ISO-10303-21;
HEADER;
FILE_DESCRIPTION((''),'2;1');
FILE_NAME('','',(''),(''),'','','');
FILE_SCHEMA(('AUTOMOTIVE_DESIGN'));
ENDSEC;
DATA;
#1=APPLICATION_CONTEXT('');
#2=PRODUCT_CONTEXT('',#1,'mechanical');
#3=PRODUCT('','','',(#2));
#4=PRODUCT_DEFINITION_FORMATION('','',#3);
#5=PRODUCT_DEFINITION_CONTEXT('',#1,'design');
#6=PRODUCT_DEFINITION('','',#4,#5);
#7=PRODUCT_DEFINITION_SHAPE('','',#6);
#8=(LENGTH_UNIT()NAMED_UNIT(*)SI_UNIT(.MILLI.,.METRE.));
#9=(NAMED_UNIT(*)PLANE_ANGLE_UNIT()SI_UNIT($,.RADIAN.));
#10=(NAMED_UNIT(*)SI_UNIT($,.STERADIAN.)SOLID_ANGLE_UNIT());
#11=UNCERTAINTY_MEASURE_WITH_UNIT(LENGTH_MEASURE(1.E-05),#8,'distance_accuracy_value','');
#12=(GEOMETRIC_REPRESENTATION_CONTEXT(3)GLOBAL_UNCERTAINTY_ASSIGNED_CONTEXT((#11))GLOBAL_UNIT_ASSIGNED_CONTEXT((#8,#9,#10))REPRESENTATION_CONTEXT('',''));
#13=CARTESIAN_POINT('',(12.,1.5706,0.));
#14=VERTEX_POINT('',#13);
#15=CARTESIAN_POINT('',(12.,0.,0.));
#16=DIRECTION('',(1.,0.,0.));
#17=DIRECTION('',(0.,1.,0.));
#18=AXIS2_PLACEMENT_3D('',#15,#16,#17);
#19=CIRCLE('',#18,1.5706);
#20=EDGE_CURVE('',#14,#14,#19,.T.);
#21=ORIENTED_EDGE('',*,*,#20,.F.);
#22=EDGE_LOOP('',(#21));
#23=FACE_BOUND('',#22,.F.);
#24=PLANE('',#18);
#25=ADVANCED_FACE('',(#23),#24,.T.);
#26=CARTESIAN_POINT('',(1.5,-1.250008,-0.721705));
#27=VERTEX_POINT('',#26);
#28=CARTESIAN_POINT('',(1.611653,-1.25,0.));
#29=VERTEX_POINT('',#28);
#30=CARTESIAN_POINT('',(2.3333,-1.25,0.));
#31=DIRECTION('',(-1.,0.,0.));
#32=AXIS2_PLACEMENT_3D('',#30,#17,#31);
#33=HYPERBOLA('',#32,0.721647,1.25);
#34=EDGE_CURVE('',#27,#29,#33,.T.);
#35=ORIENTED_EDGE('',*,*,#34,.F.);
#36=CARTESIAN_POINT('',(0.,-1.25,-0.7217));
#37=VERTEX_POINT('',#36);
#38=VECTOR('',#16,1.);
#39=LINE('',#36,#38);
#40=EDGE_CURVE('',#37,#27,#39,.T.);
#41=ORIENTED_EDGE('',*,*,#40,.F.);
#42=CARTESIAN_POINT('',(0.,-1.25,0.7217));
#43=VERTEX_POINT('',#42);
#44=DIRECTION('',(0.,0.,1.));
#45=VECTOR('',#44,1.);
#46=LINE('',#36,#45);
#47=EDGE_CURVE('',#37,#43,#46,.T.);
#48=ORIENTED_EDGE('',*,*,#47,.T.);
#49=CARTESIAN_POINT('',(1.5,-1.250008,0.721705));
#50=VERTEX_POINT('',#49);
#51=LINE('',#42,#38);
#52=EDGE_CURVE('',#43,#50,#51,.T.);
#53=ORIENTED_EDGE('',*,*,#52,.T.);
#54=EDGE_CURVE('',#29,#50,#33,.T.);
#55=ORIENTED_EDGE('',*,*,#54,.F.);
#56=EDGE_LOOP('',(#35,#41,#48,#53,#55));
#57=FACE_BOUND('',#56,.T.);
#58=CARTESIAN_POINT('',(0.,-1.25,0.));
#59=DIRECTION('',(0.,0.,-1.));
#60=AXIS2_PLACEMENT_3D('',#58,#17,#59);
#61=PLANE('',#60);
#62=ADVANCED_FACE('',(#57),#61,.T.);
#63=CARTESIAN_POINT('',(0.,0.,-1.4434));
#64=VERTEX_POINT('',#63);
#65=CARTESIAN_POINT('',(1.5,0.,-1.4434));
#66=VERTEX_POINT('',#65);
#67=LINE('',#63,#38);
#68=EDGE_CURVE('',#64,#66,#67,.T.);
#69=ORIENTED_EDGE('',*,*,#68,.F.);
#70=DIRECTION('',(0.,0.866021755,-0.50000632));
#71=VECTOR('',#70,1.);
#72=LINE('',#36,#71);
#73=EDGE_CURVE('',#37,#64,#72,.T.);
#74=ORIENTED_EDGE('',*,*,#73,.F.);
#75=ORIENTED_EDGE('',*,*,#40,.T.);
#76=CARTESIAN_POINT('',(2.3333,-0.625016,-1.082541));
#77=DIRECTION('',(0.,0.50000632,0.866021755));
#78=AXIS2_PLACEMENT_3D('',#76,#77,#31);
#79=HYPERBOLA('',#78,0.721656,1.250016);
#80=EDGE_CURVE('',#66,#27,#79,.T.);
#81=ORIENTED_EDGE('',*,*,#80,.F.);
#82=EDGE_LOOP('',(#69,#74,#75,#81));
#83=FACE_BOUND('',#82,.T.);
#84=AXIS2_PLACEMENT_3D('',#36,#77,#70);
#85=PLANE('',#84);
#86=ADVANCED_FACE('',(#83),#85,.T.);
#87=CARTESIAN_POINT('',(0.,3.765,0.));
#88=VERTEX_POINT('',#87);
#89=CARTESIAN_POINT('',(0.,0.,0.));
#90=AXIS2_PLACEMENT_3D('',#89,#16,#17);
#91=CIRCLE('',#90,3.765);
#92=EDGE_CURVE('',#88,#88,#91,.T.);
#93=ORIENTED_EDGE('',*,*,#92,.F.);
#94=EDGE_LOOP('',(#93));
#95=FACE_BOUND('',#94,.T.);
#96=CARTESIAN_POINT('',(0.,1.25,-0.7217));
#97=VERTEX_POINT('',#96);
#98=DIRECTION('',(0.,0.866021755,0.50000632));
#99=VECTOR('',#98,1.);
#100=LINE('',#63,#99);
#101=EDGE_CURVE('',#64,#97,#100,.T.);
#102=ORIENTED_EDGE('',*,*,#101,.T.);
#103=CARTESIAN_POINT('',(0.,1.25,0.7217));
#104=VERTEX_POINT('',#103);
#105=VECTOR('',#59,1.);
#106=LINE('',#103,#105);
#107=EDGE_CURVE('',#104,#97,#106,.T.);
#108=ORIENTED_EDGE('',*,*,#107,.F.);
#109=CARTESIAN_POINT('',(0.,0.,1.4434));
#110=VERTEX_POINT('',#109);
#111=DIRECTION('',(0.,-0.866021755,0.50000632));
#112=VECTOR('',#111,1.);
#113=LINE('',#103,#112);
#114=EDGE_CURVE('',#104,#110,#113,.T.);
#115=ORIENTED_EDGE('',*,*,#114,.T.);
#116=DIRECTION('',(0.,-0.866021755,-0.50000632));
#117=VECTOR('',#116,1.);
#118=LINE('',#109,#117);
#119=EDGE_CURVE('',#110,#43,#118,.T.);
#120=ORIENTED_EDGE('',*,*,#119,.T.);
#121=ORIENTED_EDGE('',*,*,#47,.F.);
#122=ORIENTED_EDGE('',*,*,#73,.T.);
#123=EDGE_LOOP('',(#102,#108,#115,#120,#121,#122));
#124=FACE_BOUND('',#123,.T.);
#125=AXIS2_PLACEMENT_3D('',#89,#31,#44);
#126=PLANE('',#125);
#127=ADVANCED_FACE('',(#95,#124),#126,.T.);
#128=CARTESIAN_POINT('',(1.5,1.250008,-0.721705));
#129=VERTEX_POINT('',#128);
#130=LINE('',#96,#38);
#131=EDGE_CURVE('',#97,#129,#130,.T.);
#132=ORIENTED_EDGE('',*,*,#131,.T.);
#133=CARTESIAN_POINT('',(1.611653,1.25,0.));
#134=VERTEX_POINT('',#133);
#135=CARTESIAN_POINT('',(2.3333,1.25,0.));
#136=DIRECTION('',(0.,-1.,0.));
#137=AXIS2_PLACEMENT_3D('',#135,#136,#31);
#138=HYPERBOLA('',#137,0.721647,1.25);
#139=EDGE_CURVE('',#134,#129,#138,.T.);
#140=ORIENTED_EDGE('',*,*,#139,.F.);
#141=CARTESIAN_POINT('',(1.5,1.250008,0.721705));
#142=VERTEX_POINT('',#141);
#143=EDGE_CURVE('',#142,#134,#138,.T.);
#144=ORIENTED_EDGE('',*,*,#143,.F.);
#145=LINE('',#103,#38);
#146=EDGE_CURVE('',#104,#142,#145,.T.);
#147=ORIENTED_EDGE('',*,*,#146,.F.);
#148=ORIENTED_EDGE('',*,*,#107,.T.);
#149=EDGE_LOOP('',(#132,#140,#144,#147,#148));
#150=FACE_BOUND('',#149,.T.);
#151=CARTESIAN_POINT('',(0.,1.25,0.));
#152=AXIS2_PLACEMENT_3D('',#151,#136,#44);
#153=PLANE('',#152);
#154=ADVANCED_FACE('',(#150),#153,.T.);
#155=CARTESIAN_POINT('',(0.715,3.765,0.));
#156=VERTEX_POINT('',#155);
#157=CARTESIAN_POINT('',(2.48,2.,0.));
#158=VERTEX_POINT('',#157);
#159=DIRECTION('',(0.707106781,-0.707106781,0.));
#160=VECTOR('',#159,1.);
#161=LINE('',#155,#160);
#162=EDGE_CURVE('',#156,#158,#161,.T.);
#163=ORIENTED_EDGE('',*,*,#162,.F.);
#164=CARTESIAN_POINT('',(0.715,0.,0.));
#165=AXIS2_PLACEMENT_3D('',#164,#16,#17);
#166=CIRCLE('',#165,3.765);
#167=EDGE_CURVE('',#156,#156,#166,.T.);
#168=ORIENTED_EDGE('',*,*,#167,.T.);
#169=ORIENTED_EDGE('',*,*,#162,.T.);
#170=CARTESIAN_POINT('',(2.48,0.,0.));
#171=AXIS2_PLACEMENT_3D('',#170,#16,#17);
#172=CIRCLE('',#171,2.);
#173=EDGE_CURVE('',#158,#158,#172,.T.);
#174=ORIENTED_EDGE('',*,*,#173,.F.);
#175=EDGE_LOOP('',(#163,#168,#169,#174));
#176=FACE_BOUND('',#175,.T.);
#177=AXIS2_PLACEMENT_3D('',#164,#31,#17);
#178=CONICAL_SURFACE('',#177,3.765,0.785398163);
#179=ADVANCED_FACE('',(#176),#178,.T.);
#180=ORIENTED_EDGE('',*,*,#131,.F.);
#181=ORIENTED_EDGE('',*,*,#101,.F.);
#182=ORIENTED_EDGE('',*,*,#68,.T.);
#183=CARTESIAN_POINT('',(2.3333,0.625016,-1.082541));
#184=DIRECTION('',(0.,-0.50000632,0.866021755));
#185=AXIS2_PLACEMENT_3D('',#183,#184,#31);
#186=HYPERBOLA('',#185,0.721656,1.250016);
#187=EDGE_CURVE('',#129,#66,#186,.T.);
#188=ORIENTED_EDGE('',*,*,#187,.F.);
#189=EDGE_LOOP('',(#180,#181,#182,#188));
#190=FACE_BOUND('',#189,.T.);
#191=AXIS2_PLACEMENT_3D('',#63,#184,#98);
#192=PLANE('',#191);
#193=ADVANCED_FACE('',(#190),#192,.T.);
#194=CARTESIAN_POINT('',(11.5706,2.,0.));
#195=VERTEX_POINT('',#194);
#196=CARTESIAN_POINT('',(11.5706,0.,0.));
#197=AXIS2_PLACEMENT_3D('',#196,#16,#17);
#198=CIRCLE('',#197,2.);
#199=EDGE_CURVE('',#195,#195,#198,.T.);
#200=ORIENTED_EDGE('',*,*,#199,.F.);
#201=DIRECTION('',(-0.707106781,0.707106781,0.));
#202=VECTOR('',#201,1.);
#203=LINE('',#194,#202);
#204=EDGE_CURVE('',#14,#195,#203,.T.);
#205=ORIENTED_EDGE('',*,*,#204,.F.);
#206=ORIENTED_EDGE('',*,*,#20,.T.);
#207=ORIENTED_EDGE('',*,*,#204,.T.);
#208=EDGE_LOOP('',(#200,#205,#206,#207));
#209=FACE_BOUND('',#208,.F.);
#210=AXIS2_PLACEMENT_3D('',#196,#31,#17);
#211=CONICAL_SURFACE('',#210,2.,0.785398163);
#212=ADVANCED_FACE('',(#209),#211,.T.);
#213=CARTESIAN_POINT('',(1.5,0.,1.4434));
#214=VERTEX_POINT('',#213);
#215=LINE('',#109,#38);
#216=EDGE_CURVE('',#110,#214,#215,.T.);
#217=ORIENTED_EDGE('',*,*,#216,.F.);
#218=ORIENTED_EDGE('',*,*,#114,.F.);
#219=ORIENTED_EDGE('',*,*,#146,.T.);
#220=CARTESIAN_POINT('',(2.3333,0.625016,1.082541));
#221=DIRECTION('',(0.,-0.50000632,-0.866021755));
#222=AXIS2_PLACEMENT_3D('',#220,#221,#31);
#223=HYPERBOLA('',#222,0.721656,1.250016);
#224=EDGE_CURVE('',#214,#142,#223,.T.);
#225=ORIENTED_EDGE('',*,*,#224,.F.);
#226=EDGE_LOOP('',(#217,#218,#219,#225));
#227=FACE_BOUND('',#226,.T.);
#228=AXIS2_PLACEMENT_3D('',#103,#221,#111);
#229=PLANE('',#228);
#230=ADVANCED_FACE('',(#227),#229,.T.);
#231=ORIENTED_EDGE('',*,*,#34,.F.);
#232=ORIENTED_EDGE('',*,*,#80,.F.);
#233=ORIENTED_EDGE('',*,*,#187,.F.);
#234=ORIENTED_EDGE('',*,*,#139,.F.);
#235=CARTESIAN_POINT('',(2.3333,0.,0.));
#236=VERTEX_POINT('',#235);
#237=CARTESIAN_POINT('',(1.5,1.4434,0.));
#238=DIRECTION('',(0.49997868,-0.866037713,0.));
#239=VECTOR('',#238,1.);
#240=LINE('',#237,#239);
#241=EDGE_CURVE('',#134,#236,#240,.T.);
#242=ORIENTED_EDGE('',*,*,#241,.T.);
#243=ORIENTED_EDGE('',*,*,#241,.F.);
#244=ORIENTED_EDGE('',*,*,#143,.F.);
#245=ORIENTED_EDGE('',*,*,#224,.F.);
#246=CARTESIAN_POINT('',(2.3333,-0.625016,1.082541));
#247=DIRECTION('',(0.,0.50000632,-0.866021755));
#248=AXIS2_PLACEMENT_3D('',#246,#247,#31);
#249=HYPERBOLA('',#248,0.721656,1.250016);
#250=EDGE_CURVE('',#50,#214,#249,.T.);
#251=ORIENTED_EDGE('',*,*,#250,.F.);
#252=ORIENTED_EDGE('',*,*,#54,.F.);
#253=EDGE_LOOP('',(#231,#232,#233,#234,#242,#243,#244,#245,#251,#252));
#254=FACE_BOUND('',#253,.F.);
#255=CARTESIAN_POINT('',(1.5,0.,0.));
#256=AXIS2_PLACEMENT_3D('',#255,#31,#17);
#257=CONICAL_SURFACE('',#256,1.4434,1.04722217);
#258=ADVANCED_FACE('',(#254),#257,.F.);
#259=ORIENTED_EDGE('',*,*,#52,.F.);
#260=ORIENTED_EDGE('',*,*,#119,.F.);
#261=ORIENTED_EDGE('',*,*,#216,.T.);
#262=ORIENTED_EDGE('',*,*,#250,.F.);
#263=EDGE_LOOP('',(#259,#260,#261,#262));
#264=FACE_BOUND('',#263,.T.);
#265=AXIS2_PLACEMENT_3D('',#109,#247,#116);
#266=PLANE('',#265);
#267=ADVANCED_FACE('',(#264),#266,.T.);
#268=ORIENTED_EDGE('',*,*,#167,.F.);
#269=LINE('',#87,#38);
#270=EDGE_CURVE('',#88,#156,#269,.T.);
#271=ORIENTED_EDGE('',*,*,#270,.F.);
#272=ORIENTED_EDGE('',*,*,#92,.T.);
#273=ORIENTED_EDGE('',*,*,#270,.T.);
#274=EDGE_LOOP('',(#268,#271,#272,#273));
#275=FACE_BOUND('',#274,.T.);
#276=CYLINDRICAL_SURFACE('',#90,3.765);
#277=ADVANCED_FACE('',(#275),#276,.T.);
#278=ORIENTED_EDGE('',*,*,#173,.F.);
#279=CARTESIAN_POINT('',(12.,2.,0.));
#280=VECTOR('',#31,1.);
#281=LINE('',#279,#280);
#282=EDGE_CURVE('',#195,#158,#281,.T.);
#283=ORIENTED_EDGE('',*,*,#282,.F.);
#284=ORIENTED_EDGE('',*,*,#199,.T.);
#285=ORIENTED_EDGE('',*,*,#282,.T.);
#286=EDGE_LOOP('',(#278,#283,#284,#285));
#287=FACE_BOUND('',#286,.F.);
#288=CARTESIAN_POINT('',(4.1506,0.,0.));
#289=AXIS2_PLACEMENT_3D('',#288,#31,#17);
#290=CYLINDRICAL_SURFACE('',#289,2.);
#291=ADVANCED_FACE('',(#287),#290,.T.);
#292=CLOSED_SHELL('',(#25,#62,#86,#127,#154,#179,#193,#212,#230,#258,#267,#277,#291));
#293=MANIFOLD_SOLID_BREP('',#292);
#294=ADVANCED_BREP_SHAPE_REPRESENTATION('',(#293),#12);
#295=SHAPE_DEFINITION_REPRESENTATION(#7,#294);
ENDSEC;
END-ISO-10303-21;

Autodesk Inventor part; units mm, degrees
ref_plane "YZ Plane" through (0, 0, 0) normal (1, 0, 0) x (0, 1, 0)
ref_plane "XZ Plane" through (0, 0, 0) normal (0, 1, 0) x (-1, 0, 0)
sketch "Skizze1" plane through (0, 0, 0) normal (0, 0, 1) x (1, 0, 0)
  line L0 (12, 0) -> (12, 2)
  line L1 (12, 2) -> (4.58, 2)
  line L2 (4.58, 2) -> (4.1506, 2)
  line L3 (0, 3.765) -> (0, 1.4434)
  line L4 (0, 1.4434) -> (1.5, 1.4434)
  line L5 (1.5, 1.4434) -> (2.3333, 0)
  line L6 (2.3333, 0) -> (12, 0)
  line L7 (0, 3.765) -> (0.715, 3.765)
  line L8 (0.715, 3.765) -> (2.48, 2)
  line L9 (4.1506, 2) -> (2.48, 2)
  line L10 (4.58, 2) -> (2.48, 2) construction
  line L11 (2.48, 2) -> (2.48, 2)
  line L12 (-2.4, 0) -> (14.4, 0) projected
  line L13 (0, -0.753) -> (0, 4.518) projected
  dimension "d0" = 12
  dimension "d1" = 7.42
  dimension "d2" = 1.5
  dimension "d3" = 4
  dimension "d6" = 2.48
  dimension "d7" = 45
  dimension "d8" = 2.8868
  dimension "d9" = 60
  dimension "d10" = 7.53
  dimension "d11" = 4
  dimension "d12" = 0.4294
revolve "Körper" add sketch "Skizze1" angle 360 about axis through (2.3333, 0, 0) along (1, 0, 0) contours L6 L5 L4 L3 L7 L8 L9 L2 L1 L0
sketch "Skizze2" plane through (0, 0, 0) normal (-1, 0, 0) x (0, 0, 1)
  circle A0 centre (0, 0) radius 1.4434 projected
  line L0 (0, -5.271) -> (0, 5.271) projected
  line L1 (-5.271, 0) -> (5.271, 0) projected
  line L2 (1.4434, 0) -> (0.7217, -1.25)
  line L3 (0.7217, -1.25) -> (-0.7217, -1.25)
  line L4 (-0.7217, -1.25) -> (-1.4434, 0)
  line L5 (-1.4434, 0) -> (-0.7217, 1.25)
  line L6 (-0.7217, 1.25) -> (0.7217, 1.25)
  line L7 (0.7217, 1.25) -> (1.4434, 0)
  point P0 (0, 1.4434)
extrude "Loch" add sketch "Skizze2" against normal up to next contours L7 A0 | A0 L2 | L6 L0 A0 | A0 L0 L3 | L0 L6 A0 | A0 L3 L0 | L4 A0 | A0 L5
thread "Gewinde" size "M4x0.7" class "6g" standard "ISO Metric profile" length 7.42
chamfer "Fase1" distance 0.4294 distance2 0.4294 1 edges at (12, -2, 0) measured on face at (12, 0.3787, 0.698)
ref_plane "Work Plane1" through (104.775, 0, 0) normal (0, 0, -1) x (1, 0, 0)
equation "\"d15\" = GEL"
equation "\"d17\" = -0.5 * SPD + 0.5 * GD"
equation "\"d18\" = GUL"
equation "\"d0\" = NLG"
equation "\"d1\" = GEL"
equation "\"d2\" = INTI"
equation "\"d3\" = GD"
equation "\"d6\" = KOH"
equation "\"d7\" = 0.5 * SEWI"
equation "\"d8\" = 1.1547 * SW"
equation "\"d10\" = KOD"
equation "\"d11\" = BDM"
equation "\"d12\" = GAL"
equation "\"NLG\" = 12"
equation "\"INTI\" = 1.5"
equation "\"GEL\" = 7.42"
equation "\"GAL\" = 0.61345 * PTC"
equation "\"KOH\" = 2.48"
equation "\"KOD\" = 7.53"
equation "\"GUL\" = 0.61345 * PTC"
equation "\"SPD\" = NND - 1.2269 * PTC"
equation "\"BDM\" = NND"
equation "\"GD\" = NND"
equation "\"SEWI\" = 90deg"
equation "\"SW\" = 2.5"
equation "\"TOA\" = 30deg"
equation "\"GD1\" = THREADDIA - 1.2269 * PTC"
equation "\"EPV\" = 4.58"
equation "\"THREADDIA\" = 4"
equation "\"PTC\" = 0.7"
equation "\"NND\" = 4"
equation "\"E0\" = 2.89"
properties part number "ISO 10642  - M4  x  12" material "Stahl"
